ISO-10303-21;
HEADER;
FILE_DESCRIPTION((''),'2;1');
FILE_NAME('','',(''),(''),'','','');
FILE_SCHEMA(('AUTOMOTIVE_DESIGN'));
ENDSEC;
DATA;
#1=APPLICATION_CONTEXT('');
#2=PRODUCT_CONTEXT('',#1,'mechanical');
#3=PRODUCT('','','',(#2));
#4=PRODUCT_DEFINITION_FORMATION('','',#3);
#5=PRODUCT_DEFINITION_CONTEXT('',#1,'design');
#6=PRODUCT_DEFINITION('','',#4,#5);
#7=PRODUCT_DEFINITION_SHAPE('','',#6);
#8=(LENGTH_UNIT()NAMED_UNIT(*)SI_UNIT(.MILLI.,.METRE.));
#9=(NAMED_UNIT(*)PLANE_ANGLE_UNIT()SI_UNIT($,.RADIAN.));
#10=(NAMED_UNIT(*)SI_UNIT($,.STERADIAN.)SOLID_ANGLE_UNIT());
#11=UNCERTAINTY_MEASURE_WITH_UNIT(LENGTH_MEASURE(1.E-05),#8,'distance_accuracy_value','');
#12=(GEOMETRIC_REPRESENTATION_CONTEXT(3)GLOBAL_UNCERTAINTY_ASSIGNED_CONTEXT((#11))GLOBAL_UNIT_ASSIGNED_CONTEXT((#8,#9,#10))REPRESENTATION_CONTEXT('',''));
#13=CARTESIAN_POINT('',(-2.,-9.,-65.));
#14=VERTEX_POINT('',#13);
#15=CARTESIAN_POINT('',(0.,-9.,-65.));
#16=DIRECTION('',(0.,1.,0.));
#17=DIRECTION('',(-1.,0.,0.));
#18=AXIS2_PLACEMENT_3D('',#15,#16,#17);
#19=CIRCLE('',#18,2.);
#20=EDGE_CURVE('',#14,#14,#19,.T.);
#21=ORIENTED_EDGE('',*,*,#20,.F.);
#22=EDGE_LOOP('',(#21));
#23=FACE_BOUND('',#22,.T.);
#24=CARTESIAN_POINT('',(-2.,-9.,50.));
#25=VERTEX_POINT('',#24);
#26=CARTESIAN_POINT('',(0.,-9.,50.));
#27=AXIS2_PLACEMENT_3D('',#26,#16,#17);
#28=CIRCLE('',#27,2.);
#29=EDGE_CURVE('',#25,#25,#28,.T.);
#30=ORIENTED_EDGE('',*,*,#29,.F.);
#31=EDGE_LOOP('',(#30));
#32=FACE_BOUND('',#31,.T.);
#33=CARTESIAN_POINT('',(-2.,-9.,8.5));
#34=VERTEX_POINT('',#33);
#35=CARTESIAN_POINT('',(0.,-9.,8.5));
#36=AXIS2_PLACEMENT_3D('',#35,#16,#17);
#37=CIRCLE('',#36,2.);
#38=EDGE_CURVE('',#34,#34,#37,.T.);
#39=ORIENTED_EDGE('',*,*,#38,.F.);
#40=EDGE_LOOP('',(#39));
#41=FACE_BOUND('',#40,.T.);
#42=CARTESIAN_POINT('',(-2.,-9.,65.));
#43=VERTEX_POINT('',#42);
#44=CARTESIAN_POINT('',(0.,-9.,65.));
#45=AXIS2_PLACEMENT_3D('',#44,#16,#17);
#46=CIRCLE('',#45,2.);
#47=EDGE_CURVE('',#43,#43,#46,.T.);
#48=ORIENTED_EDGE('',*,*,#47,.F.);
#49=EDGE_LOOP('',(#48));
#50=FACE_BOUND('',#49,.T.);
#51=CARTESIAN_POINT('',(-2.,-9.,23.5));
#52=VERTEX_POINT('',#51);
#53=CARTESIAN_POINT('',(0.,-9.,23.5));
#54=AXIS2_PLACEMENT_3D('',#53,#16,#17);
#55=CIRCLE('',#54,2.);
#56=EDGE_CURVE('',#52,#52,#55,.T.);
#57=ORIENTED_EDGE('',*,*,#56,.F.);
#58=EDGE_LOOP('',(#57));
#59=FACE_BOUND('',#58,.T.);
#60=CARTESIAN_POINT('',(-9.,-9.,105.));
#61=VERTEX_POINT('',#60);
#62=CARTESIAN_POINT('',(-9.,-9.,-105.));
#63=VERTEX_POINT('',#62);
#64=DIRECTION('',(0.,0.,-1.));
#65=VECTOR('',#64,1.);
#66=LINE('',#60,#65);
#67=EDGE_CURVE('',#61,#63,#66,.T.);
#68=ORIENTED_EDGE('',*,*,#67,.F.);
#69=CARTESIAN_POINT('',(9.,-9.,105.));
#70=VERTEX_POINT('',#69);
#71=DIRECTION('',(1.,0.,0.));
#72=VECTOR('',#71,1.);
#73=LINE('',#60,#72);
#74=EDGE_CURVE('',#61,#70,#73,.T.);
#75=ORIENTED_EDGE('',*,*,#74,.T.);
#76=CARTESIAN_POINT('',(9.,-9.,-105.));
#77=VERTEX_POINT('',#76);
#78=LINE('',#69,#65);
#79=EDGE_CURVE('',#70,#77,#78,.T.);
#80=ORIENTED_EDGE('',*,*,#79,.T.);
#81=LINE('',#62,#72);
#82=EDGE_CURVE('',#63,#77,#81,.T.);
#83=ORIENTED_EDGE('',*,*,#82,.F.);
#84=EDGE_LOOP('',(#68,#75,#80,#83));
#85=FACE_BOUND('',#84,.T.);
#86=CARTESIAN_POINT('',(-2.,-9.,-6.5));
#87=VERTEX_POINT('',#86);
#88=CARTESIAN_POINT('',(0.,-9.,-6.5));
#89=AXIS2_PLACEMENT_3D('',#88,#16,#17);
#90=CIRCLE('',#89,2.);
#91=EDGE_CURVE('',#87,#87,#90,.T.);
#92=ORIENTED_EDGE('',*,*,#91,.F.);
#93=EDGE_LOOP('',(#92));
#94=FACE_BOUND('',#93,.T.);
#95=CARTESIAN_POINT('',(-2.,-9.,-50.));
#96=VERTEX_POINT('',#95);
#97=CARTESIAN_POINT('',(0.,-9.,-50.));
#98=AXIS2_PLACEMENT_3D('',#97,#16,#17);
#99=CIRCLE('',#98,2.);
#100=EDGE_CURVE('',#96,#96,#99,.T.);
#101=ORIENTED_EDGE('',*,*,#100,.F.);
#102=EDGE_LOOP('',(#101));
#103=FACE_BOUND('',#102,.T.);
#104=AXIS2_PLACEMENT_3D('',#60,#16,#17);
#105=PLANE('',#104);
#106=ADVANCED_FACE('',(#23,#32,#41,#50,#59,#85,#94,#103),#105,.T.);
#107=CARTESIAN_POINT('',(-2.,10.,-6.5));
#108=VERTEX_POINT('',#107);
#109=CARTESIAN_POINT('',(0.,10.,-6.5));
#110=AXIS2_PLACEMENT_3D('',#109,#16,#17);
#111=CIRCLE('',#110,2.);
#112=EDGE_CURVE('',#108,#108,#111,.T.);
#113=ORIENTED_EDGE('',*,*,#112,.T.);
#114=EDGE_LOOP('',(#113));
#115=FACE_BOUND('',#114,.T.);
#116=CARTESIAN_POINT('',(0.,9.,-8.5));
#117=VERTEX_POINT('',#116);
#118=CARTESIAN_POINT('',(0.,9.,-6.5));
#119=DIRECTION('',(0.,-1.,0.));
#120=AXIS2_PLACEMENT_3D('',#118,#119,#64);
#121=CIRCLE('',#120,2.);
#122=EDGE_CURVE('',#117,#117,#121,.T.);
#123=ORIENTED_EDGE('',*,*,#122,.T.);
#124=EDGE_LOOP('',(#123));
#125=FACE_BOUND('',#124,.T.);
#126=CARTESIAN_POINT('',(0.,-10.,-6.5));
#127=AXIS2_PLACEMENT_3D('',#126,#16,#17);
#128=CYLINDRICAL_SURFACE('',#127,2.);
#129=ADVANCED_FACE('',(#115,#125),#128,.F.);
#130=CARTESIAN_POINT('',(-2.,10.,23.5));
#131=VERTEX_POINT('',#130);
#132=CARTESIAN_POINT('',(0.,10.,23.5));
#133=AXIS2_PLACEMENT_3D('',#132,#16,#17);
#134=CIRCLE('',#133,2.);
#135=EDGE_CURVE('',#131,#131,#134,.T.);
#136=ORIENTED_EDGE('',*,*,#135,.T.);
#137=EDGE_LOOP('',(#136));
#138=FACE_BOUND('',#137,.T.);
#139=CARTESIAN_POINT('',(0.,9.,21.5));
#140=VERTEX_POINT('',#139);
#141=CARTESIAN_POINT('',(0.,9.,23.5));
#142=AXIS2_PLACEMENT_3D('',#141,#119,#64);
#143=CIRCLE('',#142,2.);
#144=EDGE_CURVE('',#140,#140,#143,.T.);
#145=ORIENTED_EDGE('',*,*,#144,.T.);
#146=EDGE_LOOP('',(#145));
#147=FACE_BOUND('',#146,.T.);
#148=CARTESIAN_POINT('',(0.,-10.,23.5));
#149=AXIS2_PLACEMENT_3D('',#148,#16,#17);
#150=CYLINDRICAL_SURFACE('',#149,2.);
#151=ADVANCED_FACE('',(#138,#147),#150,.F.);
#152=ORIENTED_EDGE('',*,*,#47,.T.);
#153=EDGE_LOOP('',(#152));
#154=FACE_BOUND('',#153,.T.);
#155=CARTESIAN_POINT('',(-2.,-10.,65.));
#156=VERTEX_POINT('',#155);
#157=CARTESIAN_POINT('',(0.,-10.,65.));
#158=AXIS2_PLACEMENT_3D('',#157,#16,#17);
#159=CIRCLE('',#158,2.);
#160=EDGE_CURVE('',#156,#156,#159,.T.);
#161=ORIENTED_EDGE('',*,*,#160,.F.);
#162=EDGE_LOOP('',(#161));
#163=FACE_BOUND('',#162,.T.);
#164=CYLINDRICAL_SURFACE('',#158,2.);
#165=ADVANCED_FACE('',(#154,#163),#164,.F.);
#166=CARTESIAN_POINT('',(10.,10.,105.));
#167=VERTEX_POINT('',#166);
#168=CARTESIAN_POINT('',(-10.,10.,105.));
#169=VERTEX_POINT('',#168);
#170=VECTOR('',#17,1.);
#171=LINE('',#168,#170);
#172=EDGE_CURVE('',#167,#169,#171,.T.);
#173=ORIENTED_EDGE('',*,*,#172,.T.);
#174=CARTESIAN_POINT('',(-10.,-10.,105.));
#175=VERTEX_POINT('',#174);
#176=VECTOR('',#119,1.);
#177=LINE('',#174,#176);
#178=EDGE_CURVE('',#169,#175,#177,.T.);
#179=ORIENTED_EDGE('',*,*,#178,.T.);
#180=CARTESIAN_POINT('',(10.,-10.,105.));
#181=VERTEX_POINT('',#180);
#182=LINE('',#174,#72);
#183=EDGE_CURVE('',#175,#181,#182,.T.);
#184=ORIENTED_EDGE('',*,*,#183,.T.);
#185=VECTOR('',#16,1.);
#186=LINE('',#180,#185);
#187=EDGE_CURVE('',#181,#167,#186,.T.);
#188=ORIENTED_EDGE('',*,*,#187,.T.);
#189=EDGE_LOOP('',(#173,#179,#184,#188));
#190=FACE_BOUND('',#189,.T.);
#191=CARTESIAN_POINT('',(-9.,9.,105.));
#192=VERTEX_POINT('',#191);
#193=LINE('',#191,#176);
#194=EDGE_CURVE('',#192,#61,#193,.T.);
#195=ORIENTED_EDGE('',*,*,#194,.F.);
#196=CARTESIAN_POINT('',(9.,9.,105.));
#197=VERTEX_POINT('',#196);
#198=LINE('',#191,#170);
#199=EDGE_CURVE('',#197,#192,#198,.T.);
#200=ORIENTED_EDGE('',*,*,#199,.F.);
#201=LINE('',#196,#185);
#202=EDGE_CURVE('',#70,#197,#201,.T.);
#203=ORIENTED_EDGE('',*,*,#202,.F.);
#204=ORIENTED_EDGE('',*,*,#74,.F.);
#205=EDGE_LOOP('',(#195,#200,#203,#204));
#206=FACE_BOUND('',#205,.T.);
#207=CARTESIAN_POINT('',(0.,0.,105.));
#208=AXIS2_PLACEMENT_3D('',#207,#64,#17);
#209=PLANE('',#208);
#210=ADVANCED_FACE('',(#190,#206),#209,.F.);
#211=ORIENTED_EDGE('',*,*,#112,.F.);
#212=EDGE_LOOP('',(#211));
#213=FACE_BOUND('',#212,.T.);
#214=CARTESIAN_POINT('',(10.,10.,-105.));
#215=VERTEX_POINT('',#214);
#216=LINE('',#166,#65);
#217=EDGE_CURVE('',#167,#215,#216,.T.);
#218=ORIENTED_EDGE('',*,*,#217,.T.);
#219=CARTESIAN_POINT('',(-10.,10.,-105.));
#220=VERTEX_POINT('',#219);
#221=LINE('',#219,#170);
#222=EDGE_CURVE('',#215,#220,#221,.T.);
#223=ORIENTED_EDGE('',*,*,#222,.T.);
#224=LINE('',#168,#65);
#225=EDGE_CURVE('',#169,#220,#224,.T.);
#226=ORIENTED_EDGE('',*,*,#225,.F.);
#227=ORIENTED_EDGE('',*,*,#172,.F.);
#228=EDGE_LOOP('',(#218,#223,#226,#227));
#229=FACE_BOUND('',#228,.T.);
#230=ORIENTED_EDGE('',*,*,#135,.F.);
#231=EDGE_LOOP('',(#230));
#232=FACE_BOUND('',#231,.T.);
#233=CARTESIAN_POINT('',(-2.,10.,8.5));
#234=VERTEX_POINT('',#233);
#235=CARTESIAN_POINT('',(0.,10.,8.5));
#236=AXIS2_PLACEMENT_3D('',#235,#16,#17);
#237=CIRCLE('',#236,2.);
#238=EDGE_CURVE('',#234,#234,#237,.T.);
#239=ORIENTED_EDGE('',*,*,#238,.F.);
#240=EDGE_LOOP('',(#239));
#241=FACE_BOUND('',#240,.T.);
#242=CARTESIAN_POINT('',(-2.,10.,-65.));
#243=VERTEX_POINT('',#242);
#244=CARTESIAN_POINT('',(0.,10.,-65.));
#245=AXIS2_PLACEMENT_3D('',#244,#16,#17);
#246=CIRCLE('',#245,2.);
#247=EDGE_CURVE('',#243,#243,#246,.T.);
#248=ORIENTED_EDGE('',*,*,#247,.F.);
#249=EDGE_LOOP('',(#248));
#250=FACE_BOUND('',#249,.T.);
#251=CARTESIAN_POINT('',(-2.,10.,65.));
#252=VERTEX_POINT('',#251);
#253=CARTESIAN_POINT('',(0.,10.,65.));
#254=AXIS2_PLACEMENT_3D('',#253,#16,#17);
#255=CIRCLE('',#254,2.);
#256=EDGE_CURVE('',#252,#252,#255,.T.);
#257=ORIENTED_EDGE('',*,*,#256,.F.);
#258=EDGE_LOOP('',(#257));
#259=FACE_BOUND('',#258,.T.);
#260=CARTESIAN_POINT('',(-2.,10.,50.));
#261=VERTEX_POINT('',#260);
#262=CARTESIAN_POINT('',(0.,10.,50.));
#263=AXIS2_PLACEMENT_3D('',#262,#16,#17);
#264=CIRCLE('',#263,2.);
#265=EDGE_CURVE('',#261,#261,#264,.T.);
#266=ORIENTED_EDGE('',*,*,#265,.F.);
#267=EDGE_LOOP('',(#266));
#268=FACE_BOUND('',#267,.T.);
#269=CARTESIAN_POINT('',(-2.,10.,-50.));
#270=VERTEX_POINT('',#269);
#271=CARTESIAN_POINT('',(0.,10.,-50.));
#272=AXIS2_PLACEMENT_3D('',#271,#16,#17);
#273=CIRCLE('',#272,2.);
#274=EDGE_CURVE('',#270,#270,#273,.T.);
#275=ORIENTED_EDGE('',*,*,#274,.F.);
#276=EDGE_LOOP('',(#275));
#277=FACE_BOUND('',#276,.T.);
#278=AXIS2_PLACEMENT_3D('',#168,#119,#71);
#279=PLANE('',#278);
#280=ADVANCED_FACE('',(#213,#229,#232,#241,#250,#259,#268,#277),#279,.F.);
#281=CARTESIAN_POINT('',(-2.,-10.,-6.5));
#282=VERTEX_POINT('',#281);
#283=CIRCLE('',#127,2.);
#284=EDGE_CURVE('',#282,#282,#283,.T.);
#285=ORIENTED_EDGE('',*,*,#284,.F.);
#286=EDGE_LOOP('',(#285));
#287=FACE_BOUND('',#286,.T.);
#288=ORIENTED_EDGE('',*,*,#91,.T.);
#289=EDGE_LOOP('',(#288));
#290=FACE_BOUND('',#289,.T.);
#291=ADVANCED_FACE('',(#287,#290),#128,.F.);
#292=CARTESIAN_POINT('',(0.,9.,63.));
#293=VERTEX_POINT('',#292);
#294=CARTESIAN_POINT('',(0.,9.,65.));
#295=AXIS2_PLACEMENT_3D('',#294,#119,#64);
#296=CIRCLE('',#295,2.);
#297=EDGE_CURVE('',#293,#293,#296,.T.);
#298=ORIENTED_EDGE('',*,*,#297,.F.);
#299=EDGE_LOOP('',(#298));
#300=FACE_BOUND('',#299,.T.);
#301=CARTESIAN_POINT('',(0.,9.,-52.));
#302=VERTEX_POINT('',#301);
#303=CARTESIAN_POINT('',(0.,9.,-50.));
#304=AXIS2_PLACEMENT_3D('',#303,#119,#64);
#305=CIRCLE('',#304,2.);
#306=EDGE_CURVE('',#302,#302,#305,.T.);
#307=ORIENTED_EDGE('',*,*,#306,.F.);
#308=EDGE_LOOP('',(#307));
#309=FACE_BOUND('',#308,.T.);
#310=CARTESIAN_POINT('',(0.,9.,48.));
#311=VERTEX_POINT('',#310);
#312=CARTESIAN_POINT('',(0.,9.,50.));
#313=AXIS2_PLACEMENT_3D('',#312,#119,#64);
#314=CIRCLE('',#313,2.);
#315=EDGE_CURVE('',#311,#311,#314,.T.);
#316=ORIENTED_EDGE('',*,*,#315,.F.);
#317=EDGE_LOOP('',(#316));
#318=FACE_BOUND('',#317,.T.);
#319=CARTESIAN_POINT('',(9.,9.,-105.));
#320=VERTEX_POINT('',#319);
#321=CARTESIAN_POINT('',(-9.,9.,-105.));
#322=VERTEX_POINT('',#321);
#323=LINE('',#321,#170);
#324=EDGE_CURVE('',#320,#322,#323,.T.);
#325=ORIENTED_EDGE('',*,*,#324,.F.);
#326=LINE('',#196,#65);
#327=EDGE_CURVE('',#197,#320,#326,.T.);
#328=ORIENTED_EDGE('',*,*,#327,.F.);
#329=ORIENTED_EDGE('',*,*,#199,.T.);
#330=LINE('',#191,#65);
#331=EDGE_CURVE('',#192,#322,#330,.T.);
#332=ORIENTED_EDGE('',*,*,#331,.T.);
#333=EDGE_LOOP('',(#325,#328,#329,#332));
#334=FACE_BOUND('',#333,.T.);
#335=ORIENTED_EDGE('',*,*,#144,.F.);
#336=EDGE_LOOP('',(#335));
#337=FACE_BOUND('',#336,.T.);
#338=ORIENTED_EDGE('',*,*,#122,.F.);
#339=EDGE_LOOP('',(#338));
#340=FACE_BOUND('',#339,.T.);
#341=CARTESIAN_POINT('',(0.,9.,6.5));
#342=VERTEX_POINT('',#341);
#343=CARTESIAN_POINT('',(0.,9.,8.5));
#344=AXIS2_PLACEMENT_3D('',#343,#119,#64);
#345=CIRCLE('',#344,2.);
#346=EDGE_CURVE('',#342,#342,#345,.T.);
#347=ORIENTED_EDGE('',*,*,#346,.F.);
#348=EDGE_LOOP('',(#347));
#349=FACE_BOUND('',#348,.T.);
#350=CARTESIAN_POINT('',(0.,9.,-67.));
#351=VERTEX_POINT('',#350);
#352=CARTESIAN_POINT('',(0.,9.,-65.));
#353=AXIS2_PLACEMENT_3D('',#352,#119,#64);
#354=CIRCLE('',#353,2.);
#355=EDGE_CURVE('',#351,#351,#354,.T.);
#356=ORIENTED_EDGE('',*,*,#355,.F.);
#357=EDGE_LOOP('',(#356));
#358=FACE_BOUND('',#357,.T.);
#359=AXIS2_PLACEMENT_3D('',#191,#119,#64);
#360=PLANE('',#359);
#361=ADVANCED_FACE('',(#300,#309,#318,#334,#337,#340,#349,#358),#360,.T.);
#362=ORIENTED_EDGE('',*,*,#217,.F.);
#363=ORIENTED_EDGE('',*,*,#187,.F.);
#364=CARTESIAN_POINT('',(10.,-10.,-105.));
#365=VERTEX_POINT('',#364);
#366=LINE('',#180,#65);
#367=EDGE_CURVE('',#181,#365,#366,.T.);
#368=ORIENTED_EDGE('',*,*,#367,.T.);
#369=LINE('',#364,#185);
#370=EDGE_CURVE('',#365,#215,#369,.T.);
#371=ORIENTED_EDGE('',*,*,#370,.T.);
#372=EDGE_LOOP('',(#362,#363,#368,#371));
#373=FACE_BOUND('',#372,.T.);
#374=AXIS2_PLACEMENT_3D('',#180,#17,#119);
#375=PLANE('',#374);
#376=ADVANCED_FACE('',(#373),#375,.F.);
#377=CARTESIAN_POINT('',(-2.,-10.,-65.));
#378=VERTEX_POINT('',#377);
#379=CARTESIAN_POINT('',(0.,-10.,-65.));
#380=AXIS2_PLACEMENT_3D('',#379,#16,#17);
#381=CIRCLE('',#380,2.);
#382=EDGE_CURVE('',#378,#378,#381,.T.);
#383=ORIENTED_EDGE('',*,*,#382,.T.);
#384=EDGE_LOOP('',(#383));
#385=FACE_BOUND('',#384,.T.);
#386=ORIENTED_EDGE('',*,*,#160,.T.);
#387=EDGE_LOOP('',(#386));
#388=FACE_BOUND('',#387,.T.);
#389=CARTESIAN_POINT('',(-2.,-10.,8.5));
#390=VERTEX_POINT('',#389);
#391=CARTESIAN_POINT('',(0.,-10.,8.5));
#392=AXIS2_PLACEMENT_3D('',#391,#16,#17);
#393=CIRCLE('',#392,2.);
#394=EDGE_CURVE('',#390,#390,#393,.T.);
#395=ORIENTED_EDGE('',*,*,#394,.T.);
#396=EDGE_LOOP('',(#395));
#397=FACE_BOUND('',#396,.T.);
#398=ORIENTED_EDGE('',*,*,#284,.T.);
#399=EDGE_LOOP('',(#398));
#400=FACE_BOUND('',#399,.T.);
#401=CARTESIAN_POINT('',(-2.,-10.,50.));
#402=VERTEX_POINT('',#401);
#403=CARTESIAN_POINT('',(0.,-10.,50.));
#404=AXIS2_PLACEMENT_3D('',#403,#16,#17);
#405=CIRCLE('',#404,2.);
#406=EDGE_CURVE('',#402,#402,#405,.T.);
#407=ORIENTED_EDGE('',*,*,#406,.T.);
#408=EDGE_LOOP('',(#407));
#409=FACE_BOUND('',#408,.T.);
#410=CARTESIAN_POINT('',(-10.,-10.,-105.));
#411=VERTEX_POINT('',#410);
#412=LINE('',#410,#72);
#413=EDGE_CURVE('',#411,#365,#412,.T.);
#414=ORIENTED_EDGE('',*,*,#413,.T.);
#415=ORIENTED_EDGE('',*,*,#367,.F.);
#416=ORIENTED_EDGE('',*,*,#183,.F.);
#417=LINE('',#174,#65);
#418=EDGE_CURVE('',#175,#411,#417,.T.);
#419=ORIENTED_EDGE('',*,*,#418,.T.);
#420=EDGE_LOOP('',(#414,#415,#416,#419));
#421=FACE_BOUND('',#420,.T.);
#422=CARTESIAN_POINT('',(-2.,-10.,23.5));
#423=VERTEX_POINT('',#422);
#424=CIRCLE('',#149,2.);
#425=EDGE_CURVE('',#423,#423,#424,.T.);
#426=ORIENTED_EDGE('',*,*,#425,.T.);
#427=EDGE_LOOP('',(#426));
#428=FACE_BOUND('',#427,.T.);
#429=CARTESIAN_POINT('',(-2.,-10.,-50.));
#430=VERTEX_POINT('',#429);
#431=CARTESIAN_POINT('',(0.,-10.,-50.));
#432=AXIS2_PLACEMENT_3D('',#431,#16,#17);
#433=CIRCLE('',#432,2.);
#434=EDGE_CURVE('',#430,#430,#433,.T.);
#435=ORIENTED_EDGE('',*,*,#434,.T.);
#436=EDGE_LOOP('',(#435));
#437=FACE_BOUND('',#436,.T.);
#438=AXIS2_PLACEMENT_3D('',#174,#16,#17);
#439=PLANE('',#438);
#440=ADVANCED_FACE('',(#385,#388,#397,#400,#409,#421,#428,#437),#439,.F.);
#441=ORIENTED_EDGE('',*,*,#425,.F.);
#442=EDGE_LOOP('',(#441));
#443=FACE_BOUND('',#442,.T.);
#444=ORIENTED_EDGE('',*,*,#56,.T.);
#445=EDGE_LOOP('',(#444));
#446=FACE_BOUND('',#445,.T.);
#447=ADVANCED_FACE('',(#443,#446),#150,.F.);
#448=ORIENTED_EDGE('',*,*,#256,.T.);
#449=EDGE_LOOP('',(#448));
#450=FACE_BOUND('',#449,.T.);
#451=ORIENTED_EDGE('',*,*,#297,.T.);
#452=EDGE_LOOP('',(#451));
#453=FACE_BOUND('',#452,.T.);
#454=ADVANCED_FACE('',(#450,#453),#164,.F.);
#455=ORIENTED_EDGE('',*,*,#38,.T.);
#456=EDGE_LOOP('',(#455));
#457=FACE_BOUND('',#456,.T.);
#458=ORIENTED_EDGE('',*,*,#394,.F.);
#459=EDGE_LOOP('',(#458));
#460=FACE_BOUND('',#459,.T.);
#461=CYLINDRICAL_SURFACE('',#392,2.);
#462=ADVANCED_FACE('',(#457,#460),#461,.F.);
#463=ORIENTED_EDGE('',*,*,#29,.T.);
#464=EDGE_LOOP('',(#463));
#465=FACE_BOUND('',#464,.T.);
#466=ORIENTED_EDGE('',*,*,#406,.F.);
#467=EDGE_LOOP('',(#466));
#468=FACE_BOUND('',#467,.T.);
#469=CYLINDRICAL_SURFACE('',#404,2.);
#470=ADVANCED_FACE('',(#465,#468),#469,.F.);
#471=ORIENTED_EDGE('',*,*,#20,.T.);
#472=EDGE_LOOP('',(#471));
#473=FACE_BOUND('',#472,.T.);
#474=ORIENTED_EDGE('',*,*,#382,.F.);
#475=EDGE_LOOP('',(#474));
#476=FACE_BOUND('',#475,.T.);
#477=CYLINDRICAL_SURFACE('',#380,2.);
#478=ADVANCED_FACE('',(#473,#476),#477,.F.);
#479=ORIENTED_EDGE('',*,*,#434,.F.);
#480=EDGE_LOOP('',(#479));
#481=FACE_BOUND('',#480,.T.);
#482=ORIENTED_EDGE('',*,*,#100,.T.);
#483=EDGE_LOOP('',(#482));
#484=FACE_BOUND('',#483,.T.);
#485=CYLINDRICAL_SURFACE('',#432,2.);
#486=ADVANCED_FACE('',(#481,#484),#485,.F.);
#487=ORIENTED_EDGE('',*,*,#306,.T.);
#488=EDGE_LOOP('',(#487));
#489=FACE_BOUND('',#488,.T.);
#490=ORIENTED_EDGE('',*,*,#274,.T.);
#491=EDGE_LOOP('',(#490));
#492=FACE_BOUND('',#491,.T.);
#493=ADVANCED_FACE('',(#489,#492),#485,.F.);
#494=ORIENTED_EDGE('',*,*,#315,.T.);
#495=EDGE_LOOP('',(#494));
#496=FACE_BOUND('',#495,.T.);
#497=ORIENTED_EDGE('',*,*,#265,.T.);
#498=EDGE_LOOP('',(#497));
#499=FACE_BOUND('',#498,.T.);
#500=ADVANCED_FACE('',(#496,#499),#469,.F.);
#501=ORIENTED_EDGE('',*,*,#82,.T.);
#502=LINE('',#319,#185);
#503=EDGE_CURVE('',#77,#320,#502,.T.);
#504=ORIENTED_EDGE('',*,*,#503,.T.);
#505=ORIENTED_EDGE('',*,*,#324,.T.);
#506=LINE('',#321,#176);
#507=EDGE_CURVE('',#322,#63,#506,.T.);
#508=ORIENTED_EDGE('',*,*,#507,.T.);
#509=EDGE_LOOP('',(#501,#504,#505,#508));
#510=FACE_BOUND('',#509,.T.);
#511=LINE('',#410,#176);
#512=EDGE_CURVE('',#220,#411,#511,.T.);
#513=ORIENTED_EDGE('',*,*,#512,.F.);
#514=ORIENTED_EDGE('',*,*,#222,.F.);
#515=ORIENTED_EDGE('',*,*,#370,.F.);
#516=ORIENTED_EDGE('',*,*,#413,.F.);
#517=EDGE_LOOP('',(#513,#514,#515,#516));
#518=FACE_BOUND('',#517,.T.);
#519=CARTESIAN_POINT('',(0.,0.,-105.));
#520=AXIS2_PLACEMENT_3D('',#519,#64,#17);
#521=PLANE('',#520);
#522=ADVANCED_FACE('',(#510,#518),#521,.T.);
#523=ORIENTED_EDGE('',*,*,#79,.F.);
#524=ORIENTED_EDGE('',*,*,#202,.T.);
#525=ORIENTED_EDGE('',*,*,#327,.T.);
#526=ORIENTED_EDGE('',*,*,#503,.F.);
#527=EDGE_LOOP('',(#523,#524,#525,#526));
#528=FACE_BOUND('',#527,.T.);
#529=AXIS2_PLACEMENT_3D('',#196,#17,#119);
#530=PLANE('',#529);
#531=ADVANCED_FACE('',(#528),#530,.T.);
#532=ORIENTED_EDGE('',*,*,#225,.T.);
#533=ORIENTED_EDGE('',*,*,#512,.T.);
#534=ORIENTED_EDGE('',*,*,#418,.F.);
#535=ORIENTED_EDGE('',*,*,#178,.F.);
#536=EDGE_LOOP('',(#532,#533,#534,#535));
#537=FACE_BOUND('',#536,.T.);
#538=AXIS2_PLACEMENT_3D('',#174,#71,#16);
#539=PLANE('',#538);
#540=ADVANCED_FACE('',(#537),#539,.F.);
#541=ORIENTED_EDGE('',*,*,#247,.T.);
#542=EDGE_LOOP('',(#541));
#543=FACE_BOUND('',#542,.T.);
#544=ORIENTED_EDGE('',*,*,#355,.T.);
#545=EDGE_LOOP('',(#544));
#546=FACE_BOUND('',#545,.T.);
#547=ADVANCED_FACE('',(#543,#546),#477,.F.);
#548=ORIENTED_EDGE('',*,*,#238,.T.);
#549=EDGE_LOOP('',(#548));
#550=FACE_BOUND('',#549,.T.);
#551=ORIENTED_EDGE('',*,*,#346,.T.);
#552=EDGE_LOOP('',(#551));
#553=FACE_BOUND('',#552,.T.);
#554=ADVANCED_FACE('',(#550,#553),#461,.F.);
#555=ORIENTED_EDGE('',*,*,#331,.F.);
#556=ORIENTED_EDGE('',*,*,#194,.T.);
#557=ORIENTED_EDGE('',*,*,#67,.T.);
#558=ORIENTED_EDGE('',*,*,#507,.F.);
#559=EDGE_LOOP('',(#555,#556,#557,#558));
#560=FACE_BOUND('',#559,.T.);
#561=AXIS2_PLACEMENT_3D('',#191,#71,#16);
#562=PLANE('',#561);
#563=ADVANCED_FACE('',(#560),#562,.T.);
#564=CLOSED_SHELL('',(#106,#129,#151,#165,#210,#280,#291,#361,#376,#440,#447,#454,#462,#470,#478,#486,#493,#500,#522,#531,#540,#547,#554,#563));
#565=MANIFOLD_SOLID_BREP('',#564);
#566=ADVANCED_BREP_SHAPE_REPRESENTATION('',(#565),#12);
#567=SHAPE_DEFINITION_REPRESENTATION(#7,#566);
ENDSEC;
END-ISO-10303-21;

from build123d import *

# Parameters (mm, degrees)
SKETCH_1_W          = 20
SKETCH_1_H          = 20
SKETCH_1_W_2        = 18
SKETCH_1_H_2        = 18
EXTRUDE_1_DEPTH     = 105
SKETCH_2_R          = 2
CUT_EXTRUDE_1_DEPTH = 108.354552768
SKETCH_3_R          = 2
CUT_EXTRUDE_2_DEPTH = 108.354552768


with BuildPart() as part:
    # 草图1 → 凸台-拉伸1 (new, symmetric)
    with BuildSketch(Plane.XY):
        Rectangle(SKETCH_1_W, SKETCH_1_H)
        Rectangle(SKETCH_1_W_2, SKETCH_1_H_2, mode=Mode.SUBTRACT)
    extrude(amount=EXTRUDE_1_DEPTH, both=True)

    # 草图2 → 切除-拉伸1 (cut, through all)
    with BuildSketch(Plane(origin=(0, 10, 0), x_dir=(1, 0, 0), z_dir=(0, 1, 0))):
        with Locations(Location((0, 65, 0), (0, 0, 180))):
            Circle(SKETCH_2_R)
        with Locations(Location((0, -65, 0), (0, 0, 180))):
            Circle(SKETCH_2_R)
        with Locations(Location((0, -50, 0), (0, 0, 180))):
            Circle(SKETCH_2_R)
        with Locations(Location((0, 50, 0), (0, 0, 180))):
            Circle(SKETCH_2_R)
    extrude(amount=-CUT_EXTRUDE_1_DEPTH, mode=Mode.SUBTRACT)

    # 草图3 → 切除-拉伸2 (cut, through all)
    with BuildSketch(Plane(origin=(0, 10, 0), x_dir=(1, 0, 0), z_dir=(0, 1, 0))):
        with Locations(Location((0, -8.5, 0), (0, 0, 180))):
            Circle(SKETCH_3_R)
        with Locations(Location((0, 6.5, 0), (0, 0, 180))):
            Circle(SKETCH_3_R)
        with Locations(Location((0, -23.5, 0), (0, 0, 180))):
            Circle(SKETCH_3_R)
    extrude(amount=-CUT_EXTRUDE_2_DEPTH, mode=Mode.SUBTRACT)


solid = part.part
